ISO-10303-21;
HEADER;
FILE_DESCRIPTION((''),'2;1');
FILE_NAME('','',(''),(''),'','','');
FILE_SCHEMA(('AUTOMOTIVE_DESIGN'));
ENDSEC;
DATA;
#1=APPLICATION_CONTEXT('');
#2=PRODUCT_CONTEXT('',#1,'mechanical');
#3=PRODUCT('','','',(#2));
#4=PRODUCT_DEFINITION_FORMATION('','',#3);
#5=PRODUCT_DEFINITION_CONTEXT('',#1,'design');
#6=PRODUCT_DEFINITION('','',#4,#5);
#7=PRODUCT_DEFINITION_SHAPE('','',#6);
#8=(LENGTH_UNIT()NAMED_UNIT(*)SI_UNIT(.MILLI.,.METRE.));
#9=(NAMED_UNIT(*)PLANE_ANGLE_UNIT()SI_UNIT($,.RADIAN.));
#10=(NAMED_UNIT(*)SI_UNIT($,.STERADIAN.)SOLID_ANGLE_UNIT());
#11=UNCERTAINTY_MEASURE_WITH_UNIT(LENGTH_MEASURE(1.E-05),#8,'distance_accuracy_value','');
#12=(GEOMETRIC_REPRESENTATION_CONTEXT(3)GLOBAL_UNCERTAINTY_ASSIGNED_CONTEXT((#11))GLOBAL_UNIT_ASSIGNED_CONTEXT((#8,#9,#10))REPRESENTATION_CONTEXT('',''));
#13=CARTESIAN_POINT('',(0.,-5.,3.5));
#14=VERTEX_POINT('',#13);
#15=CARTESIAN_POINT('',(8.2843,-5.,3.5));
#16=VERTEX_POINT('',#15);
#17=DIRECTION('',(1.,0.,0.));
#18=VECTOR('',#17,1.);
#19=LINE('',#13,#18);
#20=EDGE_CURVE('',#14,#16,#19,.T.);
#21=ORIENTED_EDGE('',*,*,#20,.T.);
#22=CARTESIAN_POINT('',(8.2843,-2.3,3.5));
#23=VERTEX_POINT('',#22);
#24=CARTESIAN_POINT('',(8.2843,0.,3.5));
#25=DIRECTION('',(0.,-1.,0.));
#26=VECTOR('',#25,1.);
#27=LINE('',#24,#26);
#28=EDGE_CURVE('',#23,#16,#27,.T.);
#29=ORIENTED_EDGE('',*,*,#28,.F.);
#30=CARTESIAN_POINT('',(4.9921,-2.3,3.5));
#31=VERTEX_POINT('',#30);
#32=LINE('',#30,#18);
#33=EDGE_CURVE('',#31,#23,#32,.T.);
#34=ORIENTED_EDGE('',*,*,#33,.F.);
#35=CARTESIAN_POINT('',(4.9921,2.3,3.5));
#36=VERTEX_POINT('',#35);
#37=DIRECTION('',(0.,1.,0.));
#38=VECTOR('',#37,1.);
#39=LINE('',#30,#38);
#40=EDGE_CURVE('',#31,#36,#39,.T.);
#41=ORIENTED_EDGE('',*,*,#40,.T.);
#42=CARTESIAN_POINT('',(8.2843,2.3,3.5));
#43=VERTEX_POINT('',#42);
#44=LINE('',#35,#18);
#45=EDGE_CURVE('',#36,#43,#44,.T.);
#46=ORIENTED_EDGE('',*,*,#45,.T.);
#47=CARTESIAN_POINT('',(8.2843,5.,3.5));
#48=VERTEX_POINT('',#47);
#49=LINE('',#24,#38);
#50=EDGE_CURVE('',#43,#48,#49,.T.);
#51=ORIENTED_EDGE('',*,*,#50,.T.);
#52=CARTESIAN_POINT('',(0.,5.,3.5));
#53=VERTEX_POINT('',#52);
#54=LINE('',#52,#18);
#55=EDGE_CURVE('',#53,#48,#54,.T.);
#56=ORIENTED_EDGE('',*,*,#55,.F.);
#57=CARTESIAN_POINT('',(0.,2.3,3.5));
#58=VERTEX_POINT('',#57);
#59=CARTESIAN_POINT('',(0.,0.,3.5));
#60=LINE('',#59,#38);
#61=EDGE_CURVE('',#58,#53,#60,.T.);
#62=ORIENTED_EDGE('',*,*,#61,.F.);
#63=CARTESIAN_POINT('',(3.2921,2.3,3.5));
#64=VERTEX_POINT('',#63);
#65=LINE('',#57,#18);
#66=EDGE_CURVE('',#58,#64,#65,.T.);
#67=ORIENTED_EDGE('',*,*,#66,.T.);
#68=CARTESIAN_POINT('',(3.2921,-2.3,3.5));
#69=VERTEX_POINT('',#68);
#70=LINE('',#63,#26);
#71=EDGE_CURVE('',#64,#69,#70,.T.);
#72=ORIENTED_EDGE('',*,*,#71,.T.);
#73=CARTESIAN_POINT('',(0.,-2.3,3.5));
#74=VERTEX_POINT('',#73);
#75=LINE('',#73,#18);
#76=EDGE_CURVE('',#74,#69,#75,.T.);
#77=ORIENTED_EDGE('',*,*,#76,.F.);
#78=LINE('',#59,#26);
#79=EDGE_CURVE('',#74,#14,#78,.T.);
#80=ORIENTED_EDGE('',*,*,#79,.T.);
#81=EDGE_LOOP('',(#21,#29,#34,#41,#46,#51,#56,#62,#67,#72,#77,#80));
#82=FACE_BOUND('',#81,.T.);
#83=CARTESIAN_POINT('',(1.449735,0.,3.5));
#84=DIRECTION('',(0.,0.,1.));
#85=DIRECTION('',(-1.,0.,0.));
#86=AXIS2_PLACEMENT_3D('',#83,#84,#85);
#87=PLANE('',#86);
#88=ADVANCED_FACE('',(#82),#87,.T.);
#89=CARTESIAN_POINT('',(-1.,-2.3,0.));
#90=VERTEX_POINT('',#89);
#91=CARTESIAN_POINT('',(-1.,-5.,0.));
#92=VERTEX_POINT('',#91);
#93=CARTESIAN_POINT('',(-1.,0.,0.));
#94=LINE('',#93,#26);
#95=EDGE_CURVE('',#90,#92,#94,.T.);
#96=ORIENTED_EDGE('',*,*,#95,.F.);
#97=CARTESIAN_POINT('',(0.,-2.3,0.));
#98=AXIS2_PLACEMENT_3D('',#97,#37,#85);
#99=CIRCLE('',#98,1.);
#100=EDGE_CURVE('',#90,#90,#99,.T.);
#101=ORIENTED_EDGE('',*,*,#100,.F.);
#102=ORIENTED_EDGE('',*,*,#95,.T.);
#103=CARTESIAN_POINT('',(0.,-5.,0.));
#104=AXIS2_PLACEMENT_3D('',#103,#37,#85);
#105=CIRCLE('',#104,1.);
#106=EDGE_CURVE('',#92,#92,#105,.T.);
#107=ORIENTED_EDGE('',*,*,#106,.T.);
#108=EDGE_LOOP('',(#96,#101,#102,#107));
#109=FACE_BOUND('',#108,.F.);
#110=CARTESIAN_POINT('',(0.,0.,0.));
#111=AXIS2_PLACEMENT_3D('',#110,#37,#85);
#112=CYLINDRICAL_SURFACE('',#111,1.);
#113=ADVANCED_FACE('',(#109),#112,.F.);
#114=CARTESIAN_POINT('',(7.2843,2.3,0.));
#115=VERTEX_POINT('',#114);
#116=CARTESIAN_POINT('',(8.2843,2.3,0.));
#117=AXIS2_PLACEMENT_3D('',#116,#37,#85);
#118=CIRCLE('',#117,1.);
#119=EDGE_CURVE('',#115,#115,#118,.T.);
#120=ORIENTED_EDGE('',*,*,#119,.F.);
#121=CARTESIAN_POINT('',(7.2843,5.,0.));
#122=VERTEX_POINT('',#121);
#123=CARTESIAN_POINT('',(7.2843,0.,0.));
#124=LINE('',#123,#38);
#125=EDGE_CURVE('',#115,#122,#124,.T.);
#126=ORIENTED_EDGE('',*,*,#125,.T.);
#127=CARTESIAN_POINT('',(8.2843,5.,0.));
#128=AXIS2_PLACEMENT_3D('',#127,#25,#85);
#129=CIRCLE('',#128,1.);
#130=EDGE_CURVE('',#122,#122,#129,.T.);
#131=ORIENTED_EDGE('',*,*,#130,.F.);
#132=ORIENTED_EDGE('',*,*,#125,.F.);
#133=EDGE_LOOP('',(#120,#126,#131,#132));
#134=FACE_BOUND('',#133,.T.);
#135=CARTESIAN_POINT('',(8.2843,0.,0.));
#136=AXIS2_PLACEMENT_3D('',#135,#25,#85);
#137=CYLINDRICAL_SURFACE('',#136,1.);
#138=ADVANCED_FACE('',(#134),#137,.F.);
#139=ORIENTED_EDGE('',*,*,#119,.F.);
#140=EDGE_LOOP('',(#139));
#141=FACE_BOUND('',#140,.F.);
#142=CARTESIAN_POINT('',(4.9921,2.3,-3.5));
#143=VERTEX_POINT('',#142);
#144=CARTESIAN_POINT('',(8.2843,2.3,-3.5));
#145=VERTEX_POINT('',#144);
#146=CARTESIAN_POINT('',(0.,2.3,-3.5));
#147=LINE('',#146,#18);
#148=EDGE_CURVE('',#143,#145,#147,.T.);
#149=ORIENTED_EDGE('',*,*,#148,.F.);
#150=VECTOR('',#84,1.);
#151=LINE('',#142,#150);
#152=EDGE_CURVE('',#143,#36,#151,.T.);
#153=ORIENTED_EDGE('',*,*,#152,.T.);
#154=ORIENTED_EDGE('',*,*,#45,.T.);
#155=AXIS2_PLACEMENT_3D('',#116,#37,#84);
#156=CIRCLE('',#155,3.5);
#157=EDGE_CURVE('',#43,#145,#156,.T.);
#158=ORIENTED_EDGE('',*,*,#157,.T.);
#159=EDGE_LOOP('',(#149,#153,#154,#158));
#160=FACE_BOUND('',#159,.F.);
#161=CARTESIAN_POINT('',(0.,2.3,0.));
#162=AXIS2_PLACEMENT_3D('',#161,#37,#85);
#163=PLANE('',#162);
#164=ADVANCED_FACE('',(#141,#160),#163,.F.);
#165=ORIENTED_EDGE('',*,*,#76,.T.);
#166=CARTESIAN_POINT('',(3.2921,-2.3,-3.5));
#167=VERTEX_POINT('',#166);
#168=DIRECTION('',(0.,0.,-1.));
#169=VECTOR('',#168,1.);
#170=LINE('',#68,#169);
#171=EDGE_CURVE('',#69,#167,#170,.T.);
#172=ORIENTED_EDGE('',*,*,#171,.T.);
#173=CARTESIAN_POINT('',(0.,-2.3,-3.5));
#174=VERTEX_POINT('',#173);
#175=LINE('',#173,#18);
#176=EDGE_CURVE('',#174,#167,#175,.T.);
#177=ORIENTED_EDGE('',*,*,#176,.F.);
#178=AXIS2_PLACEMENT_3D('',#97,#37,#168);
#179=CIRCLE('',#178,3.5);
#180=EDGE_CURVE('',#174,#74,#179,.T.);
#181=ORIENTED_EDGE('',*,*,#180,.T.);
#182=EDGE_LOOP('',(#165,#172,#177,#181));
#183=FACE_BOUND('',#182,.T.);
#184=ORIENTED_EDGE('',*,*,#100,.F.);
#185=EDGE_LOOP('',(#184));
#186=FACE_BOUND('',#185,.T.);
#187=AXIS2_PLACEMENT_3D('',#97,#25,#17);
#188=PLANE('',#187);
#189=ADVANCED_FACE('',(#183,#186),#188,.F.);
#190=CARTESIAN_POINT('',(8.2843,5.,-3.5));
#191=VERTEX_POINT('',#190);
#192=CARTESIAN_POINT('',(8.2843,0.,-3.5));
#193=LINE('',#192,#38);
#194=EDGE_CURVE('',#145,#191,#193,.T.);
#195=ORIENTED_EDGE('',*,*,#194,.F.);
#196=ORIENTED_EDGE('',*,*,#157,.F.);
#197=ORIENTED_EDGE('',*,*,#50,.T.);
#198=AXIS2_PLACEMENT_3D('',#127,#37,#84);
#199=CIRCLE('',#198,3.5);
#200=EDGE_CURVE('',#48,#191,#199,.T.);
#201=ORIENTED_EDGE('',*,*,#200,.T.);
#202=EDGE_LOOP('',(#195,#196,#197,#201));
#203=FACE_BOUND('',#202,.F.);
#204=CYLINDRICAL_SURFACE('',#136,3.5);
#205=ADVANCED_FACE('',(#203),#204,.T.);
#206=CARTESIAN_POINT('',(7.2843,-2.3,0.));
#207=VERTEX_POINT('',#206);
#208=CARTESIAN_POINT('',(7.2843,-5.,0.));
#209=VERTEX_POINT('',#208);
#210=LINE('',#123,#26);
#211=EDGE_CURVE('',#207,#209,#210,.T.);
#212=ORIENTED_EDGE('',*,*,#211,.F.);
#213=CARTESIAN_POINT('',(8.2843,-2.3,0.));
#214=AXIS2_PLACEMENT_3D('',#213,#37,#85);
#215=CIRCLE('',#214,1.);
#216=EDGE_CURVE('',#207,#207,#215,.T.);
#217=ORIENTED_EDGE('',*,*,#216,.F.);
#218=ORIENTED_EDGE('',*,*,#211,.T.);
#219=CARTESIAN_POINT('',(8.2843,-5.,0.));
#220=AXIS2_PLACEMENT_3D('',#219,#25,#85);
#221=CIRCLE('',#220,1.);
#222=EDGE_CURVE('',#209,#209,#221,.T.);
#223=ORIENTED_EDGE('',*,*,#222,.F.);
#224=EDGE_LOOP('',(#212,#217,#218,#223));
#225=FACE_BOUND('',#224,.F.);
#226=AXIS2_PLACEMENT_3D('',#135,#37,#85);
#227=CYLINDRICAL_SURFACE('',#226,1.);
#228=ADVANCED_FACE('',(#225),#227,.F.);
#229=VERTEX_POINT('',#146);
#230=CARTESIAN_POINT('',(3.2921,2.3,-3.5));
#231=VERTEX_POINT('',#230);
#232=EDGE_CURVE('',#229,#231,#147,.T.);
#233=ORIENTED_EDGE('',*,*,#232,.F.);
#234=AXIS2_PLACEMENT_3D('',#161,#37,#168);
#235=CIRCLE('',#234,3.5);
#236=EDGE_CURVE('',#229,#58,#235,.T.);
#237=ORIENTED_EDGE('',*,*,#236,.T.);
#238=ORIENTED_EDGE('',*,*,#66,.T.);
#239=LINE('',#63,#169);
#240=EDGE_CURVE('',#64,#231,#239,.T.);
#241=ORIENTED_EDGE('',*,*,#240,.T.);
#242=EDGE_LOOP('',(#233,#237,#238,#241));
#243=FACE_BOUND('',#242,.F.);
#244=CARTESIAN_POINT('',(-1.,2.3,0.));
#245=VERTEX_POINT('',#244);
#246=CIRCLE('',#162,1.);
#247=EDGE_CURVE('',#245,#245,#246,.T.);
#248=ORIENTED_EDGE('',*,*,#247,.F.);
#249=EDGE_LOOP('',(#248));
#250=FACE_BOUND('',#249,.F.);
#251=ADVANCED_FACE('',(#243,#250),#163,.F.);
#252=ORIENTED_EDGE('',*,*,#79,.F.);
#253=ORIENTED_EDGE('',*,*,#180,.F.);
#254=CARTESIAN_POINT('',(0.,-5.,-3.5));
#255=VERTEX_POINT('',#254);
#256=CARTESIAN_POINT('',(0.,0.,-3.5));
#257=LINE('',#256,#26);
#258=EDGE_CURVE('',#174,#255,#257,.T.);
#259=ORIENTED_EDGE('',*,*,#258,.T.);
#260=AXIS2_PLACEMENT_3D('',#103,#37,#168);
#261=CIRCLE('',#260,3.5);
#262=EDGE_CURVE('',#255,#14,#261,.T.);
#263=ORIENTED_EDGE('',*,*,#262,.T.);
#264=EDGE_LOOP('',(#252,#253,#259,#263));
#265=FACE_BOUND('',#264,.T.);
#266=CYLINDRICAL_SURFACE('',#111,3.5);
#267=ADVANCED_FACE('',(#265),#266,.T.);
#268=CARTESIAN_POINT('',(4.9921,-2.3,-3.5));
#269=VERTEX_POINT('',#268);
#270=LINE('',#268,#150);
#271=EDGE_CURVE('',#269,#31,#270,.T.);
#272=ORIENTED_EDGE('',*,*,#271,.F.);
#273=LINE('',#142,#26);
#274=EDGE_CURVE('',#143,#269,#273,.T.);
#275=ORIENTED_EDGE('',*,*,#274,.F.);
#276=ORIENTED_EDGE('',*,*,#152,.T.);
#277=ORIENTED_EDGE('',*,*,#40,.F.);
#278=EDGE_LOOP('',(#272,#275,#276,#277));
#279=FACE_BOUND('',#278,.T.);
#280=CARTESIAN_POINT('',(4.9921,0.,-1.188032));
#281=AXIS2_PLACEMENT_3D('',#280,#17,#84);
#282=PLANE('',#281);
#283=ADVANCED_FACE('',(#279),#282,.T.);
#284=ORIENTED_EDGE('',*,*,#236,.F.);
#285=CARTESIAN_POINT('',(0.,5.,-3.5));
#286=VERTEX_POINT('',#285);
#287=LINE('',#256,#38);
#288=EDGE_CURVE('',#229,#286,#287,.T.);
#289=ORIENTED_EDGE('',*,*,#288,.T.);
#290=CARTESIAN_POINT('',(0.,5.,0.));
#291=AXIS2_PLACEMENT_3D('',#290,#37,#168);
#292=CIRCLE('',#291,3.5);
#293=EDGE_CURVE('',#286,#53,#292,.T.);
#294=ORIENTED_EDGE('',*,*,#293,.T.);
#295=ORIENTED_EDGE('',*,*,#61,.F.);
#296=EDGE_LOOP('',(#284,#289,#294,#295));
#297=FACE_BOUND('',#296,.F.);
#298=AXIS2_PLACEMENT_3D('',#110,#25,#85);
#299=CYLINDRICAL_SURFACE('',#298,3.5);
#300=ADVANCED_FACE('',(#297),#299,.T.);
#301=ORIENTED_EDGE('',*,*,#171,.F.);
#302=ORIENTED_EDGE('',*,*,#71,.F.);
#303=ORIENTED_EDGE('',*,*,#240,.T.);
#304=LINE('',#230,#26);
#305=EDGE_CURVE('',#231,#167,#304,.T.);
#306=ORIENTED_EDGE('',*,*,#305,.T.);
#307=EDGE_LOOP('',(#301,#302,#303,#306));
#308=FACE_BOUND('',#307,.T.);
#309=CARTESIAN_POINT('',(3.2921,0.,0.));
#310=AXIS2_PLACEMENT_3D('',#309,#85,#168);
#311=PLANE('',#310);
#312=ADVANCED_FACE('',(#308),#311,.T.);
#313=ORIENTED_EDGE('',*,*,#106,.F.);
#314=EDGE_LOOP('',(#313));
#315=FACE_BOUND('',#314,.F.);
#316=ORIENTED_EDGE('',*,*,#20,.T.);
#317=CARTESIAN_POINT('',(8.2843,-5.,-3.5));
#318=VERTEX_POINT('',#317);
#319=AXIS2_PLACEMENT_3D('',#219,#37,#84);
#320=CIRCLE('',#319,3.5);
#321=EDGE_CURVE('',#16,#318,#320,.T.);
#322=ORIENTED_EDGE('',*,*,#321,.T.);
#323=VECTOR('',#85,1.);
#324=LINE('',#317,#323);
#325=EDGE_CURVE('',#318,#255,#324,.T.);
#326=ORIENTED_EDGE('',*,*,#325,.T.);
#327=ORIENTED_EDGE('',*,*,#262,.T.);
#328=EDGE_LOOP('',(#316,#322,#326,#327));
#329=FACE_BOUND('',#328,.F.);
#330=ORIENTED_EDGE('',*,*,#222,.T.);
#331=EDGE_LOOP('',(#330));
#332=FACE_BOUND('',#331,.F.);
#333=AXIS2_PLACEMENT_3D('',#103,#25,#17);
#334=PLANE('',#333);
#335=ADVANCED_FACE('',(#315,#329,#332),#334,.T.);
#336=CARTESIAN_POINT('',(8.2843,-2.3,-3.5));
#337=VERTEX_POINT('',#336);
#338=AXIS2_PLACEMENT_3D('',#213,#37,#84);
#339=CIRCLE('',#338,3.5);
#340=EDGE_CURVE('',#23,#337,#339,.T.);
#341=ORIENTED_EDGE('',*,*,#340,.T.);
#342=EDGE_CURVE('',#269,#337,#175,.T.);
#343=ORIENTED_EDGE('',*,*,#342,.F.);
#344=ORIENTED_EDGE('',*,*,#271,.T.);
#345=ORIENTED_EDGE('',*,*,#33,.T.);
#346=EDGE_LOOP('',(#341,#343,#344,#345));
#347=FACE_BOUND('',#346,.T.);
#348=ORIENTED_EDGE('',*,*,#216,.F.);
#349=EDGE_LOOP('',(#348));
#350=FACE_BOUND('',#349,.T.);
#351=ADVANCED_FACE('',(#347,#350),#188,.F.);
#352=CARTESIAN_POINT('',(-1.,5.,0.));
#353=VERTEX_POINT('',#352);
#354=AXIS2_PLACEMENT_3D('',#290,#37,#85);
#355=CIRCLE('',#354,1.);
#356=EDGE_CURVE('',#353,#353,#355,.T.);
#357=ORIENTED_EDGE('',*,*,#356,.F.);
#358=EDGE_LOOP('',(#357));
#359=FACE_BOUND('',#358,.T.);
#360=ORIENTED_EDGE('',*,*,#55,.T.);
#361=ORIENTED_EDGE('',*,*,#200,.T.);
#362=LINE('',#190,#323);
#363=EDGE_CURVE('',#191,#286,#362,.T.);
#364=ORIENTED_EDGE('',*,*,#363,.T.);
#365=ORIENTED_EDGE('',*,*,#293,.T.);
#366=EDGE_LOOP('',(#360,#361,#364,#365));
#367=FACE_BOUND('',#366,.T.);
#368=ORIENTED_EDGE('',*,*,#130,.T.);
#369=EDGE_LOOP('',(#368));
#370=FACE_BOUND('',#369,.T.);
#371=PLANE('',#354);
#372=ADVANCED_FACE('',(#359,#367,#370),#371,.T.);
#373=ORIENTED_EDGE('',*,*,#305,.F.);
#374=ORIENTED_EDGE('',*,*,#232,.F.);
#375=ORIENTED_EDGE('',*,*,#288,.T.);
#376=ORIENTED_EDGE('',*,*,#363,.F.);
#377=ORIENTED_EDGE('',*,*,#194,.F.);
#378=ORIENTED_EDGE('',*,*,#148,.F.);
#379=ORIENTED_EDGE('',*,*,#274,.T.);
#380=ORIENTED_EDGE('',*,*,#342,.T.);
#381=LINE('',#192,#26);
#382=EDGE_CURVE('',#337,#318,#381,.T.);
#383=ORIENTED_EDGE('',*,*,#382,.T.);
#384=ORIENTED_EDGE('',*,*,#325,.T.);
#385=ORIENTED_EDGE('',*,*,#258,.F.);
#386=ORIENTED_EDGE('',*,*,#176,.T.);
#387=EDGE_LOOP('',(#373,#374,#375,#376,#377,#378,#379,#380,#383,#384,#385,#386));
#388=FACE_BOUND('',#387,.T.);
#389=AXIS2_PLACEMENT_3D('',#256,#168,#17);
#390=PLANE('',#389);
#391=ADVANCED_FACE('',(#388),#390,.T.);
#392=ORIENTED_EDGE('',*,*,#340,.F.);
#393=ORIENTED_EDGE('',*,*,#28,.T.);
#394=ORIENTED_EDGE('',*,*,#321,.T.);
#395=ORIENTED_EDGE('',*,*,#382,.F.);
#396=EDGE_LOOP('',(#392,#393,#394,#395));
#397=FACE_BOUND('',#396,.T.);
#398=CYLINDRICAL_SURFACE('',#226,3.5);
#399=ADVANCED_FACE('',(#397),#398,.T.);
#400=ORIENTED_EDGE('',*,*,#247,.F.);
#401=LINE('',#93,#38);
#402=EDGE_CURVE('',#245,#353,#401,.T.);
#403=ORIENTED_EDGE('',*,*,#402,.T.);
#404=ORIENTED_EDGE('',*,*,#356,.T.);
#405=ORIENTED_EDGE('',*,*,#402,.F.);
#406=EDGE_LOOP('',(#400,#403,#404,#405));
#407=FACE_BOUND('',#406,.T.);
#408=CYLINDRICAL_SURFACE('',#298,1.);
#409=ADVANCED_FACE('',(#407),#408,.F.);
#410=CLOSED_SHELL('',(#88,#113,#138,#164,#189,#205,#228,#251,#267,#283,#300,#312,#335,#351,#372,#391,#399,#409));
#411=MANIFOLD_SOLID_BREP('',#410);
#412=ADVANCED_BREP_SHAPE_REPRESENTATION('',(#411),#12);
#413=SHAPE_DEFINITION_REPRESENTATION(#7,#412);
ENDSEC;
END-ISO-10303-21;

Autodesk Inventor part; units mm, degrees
ref_plane "YZ Plane" through (0, 0, 0) normal (1, 0, 0) x (0, 1, 0)
ref_plane "XZ Plane" through (0, 0, 0) normal (0, 1, 0) x (-1, 0, 0)
ref_plane "XY Plane" through (0, 0, 0) normal (0, 0, 1) x (1, 0, 0)
sketch "スケッチ1" plane through (0, 0, 0) normal (0, 1, 0) x (-1, 0, 0)
  circle A0 centre (0, 0) radius 1
  circle A1 centre (0, 0) radius 3.5
  circle A2 centre (-8.2843, 0) radius 3.5
  line L0 (0, -3.5) -> (-8.2843, -3.5)
  line L1 (-8.2843, -3.5) -> (-8.2843, 3.5) construction
  line L2 (-8.2843, 3.5) -> (0, 3.5)
  line L3 (0, 3.5) -> (0, -3.5) construction
  circle A3 centre (-8.2843, 0) radius 1
  line L4 (-3.2921, -3.5) -> (-4.9921, -3.5)
  line L5 (-4.9921, -3.5) -> (-4.9921, 3.5)
  line L6 (-4.9921, 3.5) -> (-3.2921, 3.5)
  line L7 (-3.2921, 3.5) -> (-3.2921, -3.5)
  circle A4 centre (-4.1421, 10) radius 10
  line L8 (0, 0) -> (-8.2843, 0)
  line L9 (-4.1421, 10) -> (0, 0)
  line L10 (-4.1421, 10) -> (-8.2843, 0)
  line L11 (-4.1421, -3.5) -> (-4.1421, 3.5) construction
  point P0 (-8.2843, -3.5)
  point P1 (-3.2921, 3.5)
  point P2 (-4.1421, 0)
  dimension "d1" = 7
  dimension "d0" = 2
  dimension "d13" = 20
  dimension "d14" = 45
  dimension "d31" = 1.7
extrude "押し出し3" add sketch "スケッチ1" along normal blind 5 contours A0 A4 A1 L7 L8 | A0 L9 A1 A4 | L8 L7 A4 A0 | A0 A4 L7 A1 L9 | L8 A1 A4 L7 | L7 A1 L8 | L9 L2 A1 | A1 L7 L2 L9 | A4 A1 L7 | L7 L0 L5 A2 L8 A1 | A1 L0 L7 | L8 A4 A1 | A1 A4 A2 L5 L2 L7 | A4 A3 L8 L5 A2 | A2 L10 A3 A4 | L8 A2 A4 | L2 L10 A2 | A2 L5 L0 | A4 L5 A2 | A2 L8 L5 A4 | A2 L5 L8 | L5 A2 L10 L2 | A2 L5 A4 A3 L10 | A3 A4 L5 L8
extrude "押し出し4" cut sketch "スケッチ1" along normal blind 2.3 contours A0 A4 A1 L7 L8 | A0 L9 A1 A4 | L8 L7 A4 A0 | A0 A4 L7 A1 L9 | L9 L2 A1 | A1 L7 L2 L9 | A1 L0 L7 | A4 A3 L8 L5 A2 | A2 L10 A3 A4 | L2 L10 A2 | A2 L5 L0 | L5 A2 L10 L2 | A2 L5 A4 A3 L10 | A3 A4 L5 L8
mirror "ミラー2" about plane through (4.1421, 0, 0) normal (0, -1, 0)
properties part number "chain_1"
